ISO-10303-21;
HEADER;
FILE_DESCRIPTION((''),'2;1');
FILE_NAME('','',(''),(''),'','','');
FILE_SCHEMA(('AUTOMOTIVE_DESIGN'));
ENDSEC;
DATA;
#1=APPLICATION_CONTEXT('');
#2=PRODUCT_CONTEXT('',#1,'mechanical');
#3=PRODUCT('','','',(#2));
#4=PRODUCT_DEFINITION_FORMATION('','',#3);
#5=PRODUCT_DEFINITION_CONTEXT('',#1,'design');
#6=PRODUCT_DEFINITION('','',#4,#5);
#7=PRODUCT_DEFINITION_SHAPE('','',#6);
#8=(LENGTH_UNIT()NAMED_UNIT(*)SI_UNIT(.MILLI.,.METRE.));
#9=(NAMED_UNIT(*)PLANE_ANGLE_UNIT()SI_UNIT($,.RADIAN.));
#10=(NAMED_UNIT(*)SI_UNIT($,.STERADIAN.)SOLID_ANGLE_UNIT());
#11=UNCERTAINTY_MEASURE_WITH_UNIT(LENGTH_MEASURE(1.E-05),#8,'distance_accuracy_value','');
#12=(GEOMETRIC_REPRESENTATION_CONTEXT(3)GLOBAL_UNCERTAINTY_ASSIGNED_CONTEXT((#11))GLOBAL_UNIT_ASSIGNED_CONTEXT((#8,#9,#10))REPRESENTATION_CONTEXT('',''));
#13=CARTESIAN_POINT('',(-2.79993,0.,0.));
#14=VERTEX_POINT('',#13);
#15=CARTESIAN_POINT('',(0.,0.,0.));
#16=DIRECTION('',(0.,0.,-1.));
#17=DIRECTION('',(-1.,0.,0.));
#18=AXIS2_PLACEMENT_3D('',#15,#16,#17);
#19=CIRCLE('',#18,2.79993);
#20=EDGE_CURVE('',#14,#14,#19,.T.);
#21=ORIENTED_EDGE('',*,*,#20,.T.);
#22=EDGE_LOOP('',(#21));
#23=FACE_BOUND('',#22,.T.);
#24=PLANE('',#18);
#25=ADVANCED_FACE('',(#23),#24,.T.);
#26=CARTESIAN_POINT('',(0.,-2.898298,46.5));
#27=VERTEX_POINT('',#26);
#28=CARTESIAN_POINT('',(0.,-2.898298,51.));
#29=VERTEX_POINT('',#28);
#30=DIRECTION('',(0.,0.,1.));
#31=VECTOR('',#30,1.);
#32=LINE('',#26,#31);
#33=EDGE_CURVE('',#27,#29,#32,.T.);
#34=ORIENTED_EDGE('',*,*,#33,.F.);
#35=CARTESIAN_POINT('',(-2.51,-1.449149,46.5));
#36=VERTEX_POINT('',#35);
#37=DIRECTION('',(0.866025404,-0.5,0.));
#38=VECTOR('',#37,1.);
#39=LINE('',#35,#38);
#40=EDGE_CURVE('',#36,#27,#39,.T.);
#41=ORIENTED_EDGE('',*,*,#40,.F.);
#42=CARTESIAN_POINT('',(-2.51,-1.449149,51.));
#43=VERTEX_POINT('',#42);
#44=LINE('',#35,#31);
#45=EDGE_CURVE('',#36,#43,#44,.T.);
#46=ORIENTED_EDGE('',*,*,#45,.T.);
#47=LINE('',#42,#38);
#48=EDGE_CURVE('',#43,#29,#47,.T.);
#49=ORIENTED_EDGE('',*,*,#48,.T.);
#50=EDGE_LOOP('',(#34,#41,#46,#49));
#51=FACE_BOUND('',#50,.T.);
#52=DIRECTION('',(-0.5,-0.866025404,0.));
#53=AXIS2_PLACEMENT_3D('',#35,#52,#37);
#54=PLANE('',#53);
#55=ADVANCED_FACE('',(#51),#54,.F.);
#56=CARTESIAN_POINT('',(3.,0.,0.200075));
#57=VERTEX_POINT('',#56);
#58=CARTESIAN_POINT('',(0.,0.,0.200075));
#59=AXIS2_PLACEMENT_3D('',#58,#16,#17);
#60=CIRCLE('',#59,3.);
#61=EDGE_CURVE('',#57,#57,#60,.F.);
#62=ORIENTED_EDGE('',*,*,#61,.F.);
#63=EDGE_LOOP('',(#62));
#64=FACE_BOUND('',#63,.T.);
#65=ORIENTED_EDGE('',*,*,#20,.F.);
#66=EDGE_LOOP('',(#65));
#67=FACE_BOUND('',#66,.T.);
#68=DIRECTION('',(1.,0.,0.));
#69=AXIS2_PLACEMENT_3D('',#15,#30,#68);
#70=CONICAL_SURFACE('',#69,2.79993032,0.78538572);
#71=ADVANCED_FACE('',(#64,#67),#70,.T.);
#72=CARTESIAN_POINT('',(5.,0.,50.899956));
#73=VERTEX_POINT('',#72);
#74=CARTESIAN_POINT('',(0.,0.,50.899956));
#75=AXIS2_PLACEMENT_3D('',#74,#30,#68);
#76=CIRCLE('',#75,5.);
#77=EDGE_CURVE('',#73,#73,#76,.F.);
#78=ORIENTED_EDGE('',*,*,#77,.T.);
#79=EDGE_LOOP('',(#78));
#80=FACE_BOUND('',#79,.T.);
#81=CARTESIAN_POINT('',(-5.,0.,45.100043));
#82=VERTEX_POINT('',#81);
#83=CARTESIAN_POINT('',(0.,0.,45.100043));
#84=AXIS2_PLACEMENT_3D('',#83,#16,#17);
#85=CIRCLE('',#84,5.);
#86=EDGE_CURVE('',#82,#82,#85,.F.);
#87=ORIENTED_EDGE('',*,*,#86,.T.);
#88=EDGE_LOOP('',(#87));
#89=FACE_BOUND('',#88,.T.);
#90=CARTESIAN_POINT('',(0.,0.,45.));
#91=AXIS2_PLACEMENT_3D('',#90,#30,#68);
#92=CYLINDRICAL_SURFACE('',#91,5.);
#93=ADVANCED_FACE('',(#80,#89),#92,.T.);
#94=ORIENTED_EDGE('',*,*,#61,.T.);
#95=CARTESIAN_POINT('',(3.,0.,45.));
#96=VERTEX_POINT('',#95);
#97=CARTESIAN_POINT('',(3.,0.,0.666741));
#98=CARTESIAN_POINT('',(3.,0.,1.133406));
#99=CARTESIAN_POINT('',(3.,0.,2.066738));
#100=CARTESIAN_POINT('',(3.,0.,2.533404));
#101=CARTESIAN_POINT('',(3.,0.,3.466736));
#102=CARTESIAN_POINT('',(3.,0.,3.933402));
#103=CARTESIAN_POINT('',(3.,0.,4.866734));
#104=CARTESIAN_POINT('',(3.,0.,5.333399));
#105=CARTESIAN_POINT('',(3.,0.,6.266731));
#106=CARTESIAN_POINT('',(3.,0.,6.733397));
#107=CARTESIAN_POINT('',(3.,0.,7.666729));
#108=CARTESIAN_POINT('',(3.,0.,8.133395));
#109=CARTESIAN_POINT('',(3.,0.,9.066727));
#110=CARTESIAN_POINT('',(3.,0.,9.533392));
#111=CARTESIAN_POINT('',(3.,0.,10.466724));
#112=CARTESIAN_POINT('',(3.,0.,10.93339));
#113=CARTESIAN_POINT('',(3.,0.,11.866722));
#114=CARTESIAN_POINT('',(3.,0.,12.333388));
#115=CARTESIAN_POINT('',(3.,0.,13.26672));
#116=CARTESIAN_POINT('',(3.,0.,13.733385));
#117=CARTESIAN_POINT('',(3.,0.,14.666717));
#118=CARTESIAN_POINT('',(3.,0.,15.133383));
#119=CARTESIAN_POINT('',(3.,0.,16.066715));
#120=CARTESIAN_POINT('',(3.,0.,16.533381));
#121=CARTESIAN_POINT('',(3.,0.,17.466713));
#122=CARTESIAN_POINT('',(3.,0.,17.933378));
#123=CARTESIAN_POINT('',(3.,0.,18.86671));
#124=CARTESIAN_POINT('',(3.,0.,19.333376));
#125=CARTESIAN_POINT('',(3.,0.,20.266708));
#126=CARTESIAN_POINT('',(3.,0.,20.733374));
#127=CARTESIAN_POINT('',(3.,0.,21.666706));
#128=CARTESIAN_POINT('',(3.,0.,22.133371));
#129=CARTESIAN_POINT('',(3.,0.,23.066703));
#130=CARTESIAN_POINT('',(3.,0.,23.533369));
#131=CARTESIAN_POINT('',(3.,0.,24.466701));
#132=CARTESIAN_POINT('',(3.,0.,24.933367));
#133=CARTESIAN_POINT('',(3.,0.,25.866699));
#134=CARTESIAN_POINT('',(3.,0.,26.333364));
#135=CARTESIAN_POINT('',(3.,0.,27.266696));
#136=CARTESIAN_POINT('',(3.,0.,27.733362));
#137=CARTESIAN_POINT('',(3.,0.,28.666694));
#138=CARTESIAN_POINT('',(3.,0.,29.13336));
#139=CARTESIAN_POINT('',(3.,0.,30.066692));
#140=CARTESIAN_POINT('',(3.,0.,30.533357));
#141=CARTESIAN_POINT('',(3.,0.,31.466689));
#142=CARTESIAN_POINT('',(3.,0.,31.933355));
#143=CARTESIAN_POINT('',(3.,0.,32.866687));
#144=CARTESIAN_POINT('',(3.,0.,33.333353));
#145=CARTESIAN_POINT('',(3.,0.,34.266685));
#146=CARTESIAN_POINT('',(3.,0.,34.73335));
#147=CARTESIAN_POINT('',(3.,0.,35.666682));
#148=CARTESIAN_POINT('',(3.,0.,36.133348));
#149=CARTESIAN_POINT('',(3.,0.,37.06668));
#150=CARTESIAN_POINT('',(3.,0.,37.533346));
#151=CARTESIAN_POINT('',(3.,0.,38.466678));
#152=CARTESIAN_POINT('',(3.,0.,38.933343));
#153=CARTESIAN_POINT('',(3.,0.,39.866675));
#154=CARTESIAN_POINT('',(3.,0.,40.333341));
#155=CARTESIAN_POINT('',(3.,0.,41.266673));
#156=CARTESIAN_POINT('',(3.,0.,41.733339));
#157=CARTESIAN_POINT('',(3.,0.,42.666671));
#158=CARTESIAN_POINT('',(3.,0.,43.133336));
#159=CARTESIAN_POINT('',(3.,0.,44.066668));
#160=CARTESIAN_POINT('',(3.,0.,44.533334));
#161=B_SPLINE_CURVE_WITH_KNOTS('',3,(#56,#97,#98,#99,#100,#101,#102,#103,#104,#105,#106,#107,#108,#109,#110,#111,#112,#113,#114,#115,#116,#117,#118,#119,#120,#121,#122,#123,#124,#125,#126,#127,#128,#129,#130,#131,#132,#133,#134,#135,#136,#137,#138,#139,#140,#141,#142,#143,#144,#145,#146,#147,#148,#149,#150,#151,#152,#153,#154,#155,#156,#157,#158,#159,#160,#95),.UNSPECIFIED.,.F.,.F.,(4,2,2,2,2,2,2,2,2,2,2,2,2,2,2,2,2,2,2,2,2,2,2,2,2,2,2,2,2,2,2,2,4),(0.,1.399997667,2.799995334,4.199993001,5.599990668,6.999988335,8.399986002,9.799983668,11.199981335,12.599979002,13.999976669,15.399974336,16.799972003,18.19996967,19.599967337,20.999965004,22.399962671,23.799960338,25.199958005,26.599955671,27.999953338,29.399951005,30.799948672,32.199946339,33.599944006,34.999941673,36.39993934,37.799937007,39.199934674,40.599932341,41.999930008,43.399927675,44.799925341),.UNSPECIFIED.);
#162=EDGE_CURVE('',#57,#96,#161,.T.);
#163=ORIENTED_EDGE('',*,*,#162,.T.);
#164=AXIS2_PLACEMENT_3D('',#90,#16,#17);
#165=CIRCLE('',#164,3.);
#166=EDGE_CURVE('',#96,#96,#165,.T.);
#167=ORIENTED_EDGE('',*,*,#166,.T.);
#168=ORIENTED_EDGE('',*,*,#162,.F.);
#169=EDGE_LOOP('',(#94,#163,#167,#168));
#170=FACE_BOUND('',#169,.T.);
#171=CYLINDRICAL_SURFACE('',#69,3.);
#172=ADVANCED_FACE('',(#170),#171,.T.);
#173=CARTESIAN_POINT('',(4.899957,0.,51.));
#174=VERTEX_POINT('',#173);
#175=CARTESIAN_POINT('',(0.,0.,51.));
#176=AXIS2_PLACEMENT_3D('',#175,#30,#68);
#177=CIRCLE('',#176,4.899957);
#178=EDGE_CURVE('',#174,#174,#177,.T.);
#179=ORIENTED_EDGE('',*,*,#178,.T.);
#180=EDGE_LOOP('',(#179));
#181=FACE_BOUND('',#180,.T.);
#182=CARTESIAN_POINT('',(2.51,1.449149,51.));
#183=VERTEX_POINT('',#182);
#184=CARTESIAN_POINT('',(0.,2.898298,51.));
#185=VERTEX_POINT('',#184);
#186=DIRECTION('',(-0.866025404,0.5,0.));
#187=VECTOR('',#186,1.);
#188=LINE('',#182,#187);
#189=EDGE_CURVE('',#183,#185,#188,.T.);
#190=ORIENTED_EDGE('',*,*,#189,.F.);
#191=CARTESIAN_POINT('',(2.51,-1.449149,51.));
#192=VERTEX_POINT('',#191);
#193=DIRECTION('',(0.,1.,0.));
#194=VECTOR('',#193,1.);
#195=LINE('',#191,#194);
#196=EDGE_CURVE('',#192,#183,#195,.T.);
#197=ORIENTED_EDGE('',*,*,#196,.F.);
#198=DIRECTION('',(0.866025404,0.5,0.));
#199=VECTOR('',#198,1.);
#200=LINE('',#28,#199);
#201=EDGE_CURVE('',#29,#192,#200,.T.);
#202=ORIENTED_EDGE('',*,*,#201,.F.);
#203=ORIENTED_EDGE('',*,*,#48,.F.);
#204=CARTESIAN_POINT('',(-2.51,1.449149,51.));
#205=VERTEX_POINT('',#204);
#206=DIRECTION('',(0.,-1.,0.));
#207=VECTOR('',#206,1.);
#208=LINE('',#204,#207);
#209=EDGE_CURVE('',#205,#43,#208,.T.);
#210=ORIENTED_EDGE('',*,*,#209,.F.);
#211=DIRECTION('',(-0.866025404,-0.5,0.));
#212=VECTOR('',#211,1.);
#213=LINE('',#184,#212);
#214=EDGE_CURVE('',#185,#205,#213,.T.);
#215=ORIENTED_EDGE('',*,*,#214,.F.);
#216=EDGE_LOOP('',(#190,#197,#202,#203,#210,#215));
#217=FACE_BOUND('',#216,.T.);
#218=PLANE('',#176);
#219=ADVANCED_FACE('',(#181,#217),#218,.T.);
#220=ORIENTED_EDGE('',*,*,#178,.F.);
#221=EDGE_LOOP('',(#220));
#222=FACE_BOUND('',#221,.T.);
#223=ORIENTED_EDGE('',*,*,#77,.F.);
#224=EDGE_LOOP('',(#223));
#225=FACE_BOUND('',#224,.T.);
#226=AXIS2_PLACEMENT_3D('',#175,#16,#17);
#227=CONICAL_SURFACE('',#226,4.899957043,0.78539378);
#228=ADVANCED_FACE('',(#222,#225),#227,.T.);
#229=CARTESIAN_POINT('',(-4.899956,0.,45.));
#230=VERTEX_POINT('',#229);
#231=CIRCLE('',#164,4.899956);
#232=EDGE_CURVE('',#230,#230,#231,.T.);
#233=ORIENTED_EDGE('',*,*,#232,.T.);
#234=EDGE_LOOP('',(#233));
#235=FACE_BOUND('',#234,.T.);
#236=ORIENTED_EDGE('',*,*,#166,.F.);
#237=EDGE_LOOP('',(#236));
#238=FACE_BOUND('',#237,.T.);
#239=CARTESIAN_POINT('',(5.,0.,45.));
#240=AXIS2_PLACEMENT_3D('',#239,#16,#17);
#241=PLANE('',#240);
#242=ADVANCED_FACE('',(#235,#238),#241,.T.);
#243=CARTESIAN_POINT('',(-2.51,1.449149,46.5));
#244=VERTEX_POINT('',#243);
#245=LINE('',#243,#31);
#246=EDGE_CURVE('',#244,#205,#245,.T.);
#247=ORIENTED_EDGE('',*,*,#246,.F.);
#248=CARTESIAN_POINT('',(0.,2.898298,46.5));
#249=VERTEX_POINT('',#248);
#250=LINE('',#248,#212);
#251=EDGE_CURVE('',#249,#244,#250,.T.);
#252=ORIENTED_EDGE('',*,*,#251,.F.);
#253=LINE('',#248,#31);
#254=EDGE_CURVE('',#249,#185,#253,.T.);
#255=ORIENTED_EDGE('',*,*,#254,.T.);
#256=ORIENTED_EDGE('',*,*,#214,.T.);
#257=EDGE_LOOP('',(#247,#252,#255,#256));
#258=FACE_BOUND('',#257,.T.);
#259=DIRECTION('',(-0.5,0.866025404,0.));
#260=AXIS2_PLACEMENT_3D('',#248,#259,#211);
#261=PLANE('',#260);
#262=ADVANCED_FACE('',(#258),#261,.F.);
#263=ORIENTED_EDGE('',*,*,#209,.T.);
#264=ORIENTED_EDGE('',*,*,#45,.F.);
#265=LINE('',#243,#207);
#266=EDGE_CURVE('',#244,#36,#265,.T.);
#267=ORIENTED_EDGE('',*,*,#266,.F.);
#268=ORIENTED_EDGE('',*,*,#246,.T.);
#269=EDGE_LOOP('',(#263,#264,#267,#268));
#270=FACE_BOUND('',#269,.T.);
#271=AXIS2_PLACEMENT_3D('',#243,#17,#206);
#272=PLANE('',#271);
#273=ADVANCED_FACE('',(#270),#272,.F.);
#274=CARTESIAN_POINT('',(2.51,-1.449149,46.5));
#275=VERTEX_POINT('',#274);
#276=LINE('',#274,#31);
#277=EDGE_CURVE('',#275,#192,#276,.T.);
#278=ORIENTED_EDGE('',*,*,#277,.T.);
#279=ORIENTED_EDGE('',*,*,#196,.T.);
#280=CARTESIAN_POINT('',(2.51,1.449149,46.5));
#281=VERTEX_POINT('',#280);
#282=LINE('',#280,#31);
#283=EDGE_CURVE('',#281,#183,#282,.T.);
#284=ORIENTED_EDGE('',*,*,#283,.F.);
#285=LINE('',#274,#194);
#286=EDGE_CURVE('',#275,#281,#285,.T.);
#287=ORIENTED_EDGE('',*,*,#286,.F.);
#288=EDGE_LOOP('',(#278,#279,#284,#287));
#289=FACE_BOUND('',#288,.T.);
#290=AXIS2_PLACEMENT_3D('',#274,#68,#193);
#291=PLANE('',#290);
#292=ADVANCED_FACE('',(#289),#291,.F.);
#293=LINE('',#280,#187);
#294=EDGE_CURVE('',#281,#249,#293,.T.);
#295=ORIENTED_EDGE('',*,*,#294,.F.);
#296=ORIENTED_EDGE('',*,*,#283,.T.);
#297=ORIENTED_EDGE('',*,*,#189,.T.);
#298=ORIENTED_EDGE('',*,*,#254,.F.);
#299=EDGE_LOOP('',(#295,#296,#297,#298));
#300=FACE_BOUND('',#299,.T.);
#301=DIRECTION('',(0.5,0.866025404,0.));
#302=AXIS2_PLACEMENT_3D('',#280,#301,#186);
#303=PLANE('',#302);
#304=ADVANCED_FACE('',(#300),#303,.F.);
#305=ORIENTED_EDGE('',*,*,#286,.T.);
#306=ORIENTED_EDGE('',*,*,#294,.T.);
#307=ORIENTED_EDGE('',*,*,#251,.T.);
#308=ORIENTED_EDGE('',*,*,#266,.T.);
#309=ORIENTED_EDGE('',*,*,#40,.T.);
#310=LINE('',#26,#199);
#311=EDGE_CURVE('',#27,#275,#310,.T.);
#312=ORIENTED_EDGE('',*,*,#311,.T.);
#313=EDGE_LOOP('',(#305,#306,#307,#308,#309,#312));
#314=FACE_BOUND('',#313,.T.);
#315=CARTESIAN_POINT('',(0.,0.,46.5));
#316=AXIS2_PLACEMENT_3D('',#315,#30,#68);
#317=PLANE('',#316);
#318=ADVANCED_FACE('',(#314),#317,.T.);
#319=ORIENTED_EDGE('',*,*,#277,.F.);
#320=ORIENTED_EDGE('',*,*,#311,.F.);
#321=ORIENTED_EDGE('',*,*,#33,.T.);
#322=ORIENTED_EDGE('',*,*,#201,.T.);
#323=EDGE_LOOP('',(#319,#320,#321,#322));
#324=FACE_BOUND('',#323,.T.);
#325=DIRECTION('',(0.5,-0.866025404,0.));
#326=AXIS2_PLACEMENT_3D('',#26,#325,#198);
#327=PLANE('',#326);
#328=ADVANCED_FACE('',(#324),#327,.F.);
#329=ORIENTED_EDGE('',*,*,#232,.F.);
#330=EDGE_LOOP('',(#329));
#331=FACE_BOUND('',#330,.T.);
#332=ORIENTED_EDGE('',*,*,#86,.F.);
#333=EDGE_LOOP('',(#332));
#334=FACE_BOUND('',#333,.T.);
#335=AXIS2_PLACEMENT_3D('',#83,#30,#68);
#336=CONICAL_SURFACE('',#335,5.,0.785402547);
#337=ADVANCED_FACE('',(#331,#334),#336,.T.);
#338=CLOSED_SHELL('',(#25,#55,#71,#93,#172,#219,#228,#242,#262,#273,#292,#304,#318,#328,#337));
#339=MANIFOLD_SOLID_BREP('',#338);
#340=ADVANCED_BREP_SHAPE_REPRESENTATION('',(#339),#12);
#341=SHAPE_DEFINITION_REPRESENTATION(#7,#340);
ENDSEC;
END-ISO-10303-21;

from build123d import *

# Parameters (mm, degrees)
SKETCH_1_W          = 5
SKETCH_1_H          = 6
SKETCH_2_R          = 3
EXTRUDE_1_DEPTH     = 45
CUT_EXTRUDE_1_DEPTH = 4.5
CHAMFER_1_SIZE2     = 0.100043834
CHAMFER_1_SIZE      = 0.100042957
CHAMFER_2_SIZE      = 0.20006968
CHAMFER_2_SIZE2     = 0.200074659


with BuildPart() as part:
    # 草图1 → 旋转1 (revolve)
    with BuildSketch(Plane(origin=(0, 0, 0), x_dir=(1, 0, 0), z_dir=(0, 1, 0))):
        with Locations((2.5, -48)):
            Rectangle(SKETCH_1_W, SKETCH_1_H)
    revolve(axis=Axis((0, 0, 45), (0, 0, 1)))

    # 草图2 → 凸台-拉伸1 (add)
    with BuildSketch(Plane(origin=(0, 0, 45), x_dir=(-1, 0, 0), z_dir=(0, 0, -1))):
        with Locations(Location((0, 0, 0), (0, 0, 180))):
            Circle(SKETCH_2_R)
    extrude(amount=EXTRUDE_1_DEPTH)

    # 草图3 → 切除-拉伸1 (cut)
    with BuildSketch(Plane.XY.offset(51)):
        Polygon((-2.51, -1.449149176), (0, -2.898298351), (2.51, -1.449149176), (2.51, 1.449149176), (0, 2.898298351), (-2.51, 1.449149176), align=None)
    extrude(amount=-CUT_EXTRUDE_1_DEPTH, mode=Mode.SUBTRACT)

    # 倒角1
    chamfer_1_edges = [part.edges().sort_by_distance(p)[0] for p in [
        (-5, 0, 51),
        (-5, 0, 45),
    ]]
    chamfer(chamfer_1_edges, length=CHAMFER_1_SIZE, length2=CHAMFER_1_SIZE2)

    # 倒角2
    chamfer_2_edges = [part.edges().sort_by_distance(p)[0] for p in [
        (-3, 0, 0),
    ]]
    chamfer_2_side = [part.faces().sort_by_distance(p)[0] for p in [
        (-3, 0, 22.5),
    ]]
    chamfer(chamfer_2_edges, length=CHAMFER_2_SIZE, length2=CHAMFER_2_SIZE2, reference=chamfer_2_side[0])


solid = part.part
